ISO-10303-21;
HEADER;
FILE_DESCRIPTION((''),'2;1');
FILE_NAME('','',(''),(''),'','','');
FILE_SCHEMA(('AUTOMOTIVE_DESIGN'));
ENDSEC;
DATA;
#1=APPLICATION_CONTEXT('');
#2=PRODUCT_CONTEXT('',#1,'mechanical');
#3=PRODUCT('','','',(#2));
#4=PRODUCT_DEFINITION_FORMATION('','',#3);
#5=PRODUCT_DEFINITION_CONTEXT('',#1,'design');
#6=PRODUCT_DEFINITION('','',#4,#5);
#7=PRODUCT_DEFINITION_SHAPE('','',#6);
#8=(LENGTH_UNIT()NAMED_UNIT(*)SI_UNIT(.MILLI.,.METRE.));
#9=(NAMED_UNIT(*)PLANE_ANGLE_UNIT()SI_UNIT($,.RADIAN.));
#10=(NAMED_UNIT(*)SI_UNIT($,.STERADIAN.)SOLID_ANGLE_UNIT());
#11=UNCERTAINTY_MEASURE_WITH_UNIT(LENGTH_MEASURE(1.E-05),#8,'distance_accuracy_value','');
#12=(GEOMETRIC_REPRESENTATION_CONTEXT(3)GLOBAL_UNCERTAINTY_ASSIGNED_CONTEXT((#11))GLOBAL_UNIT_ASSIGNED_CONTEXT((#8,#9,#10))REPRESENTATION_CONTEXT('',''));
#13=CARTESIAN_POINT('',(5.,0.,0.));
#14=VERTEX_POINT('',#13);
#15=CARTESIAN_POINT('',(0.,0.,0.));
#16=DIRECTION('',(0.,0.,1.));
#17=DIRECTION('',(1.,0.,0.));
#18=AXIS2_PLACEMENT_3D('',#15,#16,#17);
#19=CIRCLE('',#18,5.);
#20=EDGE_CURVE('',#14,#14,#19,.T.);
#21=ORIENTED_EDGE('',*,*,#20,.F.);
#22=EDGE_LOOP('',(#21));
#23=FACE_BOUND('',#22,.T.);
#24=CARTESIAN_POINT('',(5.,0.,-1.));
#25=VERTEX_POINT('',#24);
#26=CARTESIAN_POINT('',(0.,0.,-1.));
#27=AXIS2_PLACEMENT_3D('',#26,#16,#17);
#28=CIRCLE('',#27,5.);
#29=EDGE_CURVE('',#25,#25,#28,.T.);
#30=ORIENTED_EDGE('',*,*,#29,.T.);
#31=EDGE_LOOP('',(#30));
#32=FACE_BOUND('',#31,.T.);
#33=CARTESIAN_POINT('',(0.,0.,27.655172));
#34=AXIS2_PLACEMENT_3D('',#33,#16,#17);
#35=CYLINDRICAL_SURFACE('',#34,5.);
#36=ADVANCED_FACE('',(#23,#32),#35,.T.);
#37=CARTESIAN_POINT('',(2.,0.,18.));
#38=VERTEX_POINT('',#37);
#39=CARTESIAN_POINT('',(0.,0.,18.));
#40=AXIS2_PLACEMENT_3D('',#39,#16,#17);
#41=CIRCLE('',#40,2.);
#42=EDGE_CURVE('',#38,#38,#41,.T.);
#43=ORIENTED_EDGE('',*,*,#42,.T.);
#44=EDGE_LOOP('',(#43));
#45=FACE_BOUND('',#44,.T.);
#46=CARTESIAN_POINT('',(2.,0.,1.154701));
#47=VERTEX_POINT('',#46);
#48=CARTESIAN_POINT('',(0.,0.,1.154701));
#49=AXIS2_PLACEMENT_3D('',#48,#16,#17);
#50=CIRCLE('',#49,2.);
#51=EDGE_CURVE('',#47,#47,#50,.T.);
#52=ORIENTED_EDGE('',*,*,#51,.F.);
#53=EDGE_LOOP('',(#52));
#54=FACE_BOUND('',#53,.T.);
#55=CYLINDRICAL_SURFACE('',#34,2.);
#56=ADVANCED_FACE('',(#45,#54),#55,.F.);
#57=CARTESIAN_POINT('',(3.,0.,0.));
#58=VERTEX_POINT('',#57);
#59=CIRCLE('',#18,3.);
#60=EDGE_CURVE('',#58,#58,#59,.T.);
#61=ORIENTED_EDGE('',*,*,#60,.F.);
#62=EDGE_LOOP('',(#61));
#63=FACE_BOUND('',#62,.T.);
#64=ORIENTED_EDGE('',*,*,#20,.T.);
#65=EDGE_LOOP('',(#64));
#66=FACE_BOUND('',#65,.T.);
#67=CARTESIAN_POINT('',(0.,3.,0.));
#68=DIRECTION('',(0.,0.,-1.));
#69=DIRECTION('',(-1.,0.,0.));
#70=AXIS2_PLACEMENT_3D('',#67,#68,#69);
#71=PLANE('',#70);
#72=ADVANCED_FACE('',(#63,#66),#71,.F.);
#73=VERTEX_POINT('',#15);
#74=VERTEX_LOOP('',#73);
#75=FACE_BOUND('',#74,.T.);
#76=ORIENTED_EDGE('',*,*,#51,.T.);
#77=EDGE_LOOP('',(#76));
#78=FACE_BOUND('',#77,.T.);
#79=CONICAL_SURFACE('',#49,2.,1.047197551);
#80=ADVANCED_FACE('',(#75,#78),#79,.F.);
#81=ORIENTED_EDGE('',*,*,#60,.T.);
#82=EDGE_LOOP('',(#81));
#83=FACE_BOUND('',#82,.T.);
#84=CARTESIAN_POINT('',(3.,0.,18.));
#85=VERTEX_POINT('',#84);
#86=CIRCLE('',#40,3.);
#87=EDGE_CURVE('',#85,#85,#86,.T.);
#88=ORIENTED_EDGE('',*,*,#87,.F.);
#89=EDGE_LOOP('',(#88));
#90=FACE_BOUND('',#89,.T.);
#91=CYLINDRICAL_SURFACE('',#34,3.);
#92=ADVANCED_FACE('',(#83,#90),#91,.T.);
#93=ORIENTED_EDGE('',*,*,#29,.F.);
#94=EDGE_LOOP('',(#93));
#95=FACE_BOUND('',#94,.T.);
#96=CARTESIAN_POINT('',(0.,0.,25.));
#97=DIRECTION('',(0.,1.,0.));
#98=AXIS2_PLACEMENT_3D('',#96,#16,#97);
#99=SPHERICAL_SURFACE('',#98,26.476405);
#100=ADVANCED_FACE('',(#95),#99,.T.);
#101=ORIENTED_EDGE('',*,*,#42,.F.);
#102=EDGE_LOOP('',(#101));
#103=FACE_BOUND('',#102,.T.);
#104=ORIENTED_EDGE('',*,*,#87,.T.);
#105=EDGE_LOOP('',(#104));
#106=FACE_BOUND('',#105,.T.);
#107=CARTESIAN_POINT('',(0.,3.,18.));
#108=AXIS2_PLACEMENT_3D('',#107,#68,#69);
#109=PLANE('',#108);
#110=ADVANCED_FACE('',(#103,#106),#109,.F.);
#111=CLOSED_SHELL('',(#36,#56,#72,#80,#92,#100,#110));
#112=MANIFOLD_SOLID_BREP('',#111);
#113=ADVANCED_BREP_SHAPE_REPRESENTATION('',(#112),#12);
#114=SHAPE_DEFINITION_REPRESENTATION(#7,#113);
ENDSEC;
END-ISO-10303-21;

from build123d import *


with BuildPart() as part:
    # Esquisse1 → Révolution1 (revolve)
    with BuildSketch(Plane(origin=(0, 0, 0), x_dir=(0, 0, -1), z_dir=(1, 0, 0))):
        with BuildLine():
            Line((-18, 3), (0, 3))
            Line((0, 3), (0, 5))
            Line((0, 5), (1, 5))
            ThreePointArc((1, 5), (1.357034349, 2.511322427), (1.47640459, 0))
            Line((1.47640459, 0), (0, 0))
            Line((0, 0), (-1.154700538, 2))
            Line((-1.154700538, 2), (-18, 2))
            Line((-18, 2), (-18, 3))
        make_face()
    revolve(axis=Axis((0, 0, 27.655172414), (0, 0, -1)))


solid = part.part
